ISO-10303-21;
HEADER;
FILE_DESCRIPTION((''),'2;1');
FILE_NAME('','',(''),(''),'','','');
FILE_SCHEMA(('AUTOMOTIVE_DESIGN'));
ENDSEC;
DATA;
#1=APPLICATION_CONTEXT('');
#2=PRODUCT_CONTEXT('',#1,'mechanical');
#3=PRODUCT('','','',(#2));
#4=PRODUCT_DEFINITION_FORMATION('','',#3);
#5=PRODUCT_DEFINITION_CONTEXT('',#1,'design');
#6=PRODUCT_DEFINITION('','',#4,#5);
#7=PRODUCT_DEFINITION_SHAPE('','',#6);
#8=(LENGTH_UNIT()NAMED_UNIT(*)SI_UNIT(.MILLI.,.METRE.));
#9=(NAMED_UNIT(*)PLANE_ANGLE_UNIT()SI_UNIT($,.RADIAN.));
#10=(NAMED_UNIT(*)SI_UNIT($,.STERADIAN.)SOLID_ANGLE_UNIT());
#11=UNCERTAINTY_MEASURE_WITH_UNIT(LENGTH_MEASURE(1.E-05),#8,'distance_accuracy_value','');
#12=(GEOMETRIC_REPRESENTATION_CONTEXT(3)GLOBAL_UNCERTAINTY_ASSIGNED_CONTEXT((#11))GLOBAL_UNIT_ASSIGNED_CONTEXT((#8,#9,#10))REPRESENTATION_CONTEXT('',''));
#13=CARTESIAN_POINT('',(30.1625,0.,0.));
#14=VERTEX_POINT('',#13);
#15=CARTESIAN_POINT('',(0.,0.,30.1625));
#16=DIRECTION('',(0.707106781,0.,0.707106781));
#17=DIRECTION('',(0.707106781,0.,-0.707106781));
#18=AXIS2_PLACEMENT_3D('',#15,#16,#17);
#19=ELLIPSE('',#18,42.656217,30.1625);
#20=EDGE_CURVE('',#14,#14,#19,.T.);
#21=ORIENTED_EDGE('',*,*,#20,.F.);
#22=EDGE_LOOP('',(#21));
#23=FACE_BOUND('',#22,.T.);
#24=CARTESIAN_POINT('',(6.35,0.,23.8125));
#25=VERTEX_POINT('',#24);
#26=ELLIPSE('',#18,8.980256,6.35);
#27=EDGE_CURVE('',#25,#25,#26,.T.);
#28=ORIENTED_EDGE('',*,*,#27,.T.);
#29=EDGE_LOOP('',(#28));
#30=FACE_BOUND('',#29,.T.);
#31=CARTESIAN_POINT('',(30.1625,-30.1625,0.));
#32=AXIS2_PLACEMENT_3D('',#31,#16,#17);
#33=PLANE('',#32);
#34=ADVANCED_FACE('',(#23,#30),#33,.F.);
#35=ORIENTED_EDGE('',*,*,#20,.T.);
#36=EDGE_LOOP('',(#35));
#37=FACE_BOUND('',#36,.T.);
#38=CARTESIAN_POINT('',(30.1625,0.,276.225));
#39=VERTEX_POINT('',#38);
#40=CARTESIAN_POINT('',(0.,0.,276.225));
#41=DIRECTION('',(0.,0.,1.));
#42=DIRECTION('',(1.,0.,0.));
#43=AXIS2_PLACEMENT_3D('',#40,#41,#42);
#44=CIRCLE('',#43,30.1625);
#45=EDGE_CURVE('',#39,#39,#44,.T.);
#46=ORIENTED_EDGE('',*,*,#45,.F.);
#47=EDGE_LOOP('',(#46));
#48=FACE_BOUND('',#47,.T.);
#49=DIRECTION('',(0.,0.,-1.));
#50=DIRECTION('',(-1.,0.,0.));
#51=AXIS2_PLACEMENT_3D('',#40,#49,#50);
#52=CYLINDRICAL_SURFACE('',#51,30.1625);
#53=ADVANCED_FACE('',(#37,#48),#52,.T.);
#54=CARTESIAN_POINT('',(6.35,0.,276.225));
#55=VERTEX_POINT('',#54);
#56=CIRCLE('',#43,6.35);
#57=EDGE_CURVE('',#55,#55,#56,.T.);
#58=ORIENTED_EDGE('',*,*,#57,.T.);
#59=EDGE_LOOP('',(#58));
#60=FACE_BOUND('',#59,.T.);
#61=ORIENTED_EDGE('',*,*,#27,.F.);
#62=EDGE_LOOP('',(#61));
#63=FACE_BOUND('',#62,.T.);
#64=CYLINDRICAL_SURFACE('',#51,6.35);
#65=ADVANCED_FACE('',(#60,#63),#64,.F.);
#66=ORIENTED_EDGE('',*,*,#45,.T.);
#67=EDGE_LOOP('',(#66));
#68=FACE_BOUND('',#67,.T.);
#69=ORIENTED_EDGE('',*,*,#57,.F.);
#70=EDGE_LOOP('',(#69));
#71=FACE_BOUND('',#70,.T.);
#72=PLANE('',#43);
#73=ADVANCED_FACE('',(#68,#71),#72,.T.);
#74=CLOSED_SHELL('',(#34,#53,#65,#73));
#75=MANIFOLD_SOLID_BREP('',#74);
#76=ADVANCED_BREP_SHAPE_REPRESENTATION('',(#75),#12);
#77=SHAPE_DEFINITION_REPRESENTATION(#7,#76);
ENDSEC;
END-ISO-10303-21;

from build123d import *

# Parameters (mm, degrees)
SKETCH1_R               = 30.1625
SKETCH1_R_2             = 6.35
BOSS_EXTRUDE1_DEPTH     = 276.225
CUT_EXTRUDE1_DEPTH      = 280.499201139
CUT_EXTRUDE1_DEPTH_BACK = 280.499201139


with BuildPart() as part:
    # Sketch1 → Boss-Extrude1 (new body)
    with BuildSketch(Plane.XY):
        Circle(SKETCH1_R)
        Circle(SKETCH1_R_2, mode=Mode.SUBTRACT)
    extrude(amount=BOSS_EXTRUDE1_DEPTH)

    # Sketch2 → Cut-Extrude1 (cut, two sides: drawn at the far end of the back side and taken through both)
    with BuildSketch(Plane(origin=(0, 0, 0), x_dir=(1, 0, 0), z_dir=(0, 1, 0)).offset(-CUT_EXTRUDE1_DEPTH_BACK)):
        Polygon((30.1625, 0), (-40.140281567, -70.302781567), (-40.140281567, 5.464682821), (30.1625, 5.464682821), align=None)
    extrude(amount=CUT_EXTRUDE1_DEPTH + CUT_EXTRUDE1_DEPTH_BACK, mode=Mode.SUBTRACT)


solid = part.part
